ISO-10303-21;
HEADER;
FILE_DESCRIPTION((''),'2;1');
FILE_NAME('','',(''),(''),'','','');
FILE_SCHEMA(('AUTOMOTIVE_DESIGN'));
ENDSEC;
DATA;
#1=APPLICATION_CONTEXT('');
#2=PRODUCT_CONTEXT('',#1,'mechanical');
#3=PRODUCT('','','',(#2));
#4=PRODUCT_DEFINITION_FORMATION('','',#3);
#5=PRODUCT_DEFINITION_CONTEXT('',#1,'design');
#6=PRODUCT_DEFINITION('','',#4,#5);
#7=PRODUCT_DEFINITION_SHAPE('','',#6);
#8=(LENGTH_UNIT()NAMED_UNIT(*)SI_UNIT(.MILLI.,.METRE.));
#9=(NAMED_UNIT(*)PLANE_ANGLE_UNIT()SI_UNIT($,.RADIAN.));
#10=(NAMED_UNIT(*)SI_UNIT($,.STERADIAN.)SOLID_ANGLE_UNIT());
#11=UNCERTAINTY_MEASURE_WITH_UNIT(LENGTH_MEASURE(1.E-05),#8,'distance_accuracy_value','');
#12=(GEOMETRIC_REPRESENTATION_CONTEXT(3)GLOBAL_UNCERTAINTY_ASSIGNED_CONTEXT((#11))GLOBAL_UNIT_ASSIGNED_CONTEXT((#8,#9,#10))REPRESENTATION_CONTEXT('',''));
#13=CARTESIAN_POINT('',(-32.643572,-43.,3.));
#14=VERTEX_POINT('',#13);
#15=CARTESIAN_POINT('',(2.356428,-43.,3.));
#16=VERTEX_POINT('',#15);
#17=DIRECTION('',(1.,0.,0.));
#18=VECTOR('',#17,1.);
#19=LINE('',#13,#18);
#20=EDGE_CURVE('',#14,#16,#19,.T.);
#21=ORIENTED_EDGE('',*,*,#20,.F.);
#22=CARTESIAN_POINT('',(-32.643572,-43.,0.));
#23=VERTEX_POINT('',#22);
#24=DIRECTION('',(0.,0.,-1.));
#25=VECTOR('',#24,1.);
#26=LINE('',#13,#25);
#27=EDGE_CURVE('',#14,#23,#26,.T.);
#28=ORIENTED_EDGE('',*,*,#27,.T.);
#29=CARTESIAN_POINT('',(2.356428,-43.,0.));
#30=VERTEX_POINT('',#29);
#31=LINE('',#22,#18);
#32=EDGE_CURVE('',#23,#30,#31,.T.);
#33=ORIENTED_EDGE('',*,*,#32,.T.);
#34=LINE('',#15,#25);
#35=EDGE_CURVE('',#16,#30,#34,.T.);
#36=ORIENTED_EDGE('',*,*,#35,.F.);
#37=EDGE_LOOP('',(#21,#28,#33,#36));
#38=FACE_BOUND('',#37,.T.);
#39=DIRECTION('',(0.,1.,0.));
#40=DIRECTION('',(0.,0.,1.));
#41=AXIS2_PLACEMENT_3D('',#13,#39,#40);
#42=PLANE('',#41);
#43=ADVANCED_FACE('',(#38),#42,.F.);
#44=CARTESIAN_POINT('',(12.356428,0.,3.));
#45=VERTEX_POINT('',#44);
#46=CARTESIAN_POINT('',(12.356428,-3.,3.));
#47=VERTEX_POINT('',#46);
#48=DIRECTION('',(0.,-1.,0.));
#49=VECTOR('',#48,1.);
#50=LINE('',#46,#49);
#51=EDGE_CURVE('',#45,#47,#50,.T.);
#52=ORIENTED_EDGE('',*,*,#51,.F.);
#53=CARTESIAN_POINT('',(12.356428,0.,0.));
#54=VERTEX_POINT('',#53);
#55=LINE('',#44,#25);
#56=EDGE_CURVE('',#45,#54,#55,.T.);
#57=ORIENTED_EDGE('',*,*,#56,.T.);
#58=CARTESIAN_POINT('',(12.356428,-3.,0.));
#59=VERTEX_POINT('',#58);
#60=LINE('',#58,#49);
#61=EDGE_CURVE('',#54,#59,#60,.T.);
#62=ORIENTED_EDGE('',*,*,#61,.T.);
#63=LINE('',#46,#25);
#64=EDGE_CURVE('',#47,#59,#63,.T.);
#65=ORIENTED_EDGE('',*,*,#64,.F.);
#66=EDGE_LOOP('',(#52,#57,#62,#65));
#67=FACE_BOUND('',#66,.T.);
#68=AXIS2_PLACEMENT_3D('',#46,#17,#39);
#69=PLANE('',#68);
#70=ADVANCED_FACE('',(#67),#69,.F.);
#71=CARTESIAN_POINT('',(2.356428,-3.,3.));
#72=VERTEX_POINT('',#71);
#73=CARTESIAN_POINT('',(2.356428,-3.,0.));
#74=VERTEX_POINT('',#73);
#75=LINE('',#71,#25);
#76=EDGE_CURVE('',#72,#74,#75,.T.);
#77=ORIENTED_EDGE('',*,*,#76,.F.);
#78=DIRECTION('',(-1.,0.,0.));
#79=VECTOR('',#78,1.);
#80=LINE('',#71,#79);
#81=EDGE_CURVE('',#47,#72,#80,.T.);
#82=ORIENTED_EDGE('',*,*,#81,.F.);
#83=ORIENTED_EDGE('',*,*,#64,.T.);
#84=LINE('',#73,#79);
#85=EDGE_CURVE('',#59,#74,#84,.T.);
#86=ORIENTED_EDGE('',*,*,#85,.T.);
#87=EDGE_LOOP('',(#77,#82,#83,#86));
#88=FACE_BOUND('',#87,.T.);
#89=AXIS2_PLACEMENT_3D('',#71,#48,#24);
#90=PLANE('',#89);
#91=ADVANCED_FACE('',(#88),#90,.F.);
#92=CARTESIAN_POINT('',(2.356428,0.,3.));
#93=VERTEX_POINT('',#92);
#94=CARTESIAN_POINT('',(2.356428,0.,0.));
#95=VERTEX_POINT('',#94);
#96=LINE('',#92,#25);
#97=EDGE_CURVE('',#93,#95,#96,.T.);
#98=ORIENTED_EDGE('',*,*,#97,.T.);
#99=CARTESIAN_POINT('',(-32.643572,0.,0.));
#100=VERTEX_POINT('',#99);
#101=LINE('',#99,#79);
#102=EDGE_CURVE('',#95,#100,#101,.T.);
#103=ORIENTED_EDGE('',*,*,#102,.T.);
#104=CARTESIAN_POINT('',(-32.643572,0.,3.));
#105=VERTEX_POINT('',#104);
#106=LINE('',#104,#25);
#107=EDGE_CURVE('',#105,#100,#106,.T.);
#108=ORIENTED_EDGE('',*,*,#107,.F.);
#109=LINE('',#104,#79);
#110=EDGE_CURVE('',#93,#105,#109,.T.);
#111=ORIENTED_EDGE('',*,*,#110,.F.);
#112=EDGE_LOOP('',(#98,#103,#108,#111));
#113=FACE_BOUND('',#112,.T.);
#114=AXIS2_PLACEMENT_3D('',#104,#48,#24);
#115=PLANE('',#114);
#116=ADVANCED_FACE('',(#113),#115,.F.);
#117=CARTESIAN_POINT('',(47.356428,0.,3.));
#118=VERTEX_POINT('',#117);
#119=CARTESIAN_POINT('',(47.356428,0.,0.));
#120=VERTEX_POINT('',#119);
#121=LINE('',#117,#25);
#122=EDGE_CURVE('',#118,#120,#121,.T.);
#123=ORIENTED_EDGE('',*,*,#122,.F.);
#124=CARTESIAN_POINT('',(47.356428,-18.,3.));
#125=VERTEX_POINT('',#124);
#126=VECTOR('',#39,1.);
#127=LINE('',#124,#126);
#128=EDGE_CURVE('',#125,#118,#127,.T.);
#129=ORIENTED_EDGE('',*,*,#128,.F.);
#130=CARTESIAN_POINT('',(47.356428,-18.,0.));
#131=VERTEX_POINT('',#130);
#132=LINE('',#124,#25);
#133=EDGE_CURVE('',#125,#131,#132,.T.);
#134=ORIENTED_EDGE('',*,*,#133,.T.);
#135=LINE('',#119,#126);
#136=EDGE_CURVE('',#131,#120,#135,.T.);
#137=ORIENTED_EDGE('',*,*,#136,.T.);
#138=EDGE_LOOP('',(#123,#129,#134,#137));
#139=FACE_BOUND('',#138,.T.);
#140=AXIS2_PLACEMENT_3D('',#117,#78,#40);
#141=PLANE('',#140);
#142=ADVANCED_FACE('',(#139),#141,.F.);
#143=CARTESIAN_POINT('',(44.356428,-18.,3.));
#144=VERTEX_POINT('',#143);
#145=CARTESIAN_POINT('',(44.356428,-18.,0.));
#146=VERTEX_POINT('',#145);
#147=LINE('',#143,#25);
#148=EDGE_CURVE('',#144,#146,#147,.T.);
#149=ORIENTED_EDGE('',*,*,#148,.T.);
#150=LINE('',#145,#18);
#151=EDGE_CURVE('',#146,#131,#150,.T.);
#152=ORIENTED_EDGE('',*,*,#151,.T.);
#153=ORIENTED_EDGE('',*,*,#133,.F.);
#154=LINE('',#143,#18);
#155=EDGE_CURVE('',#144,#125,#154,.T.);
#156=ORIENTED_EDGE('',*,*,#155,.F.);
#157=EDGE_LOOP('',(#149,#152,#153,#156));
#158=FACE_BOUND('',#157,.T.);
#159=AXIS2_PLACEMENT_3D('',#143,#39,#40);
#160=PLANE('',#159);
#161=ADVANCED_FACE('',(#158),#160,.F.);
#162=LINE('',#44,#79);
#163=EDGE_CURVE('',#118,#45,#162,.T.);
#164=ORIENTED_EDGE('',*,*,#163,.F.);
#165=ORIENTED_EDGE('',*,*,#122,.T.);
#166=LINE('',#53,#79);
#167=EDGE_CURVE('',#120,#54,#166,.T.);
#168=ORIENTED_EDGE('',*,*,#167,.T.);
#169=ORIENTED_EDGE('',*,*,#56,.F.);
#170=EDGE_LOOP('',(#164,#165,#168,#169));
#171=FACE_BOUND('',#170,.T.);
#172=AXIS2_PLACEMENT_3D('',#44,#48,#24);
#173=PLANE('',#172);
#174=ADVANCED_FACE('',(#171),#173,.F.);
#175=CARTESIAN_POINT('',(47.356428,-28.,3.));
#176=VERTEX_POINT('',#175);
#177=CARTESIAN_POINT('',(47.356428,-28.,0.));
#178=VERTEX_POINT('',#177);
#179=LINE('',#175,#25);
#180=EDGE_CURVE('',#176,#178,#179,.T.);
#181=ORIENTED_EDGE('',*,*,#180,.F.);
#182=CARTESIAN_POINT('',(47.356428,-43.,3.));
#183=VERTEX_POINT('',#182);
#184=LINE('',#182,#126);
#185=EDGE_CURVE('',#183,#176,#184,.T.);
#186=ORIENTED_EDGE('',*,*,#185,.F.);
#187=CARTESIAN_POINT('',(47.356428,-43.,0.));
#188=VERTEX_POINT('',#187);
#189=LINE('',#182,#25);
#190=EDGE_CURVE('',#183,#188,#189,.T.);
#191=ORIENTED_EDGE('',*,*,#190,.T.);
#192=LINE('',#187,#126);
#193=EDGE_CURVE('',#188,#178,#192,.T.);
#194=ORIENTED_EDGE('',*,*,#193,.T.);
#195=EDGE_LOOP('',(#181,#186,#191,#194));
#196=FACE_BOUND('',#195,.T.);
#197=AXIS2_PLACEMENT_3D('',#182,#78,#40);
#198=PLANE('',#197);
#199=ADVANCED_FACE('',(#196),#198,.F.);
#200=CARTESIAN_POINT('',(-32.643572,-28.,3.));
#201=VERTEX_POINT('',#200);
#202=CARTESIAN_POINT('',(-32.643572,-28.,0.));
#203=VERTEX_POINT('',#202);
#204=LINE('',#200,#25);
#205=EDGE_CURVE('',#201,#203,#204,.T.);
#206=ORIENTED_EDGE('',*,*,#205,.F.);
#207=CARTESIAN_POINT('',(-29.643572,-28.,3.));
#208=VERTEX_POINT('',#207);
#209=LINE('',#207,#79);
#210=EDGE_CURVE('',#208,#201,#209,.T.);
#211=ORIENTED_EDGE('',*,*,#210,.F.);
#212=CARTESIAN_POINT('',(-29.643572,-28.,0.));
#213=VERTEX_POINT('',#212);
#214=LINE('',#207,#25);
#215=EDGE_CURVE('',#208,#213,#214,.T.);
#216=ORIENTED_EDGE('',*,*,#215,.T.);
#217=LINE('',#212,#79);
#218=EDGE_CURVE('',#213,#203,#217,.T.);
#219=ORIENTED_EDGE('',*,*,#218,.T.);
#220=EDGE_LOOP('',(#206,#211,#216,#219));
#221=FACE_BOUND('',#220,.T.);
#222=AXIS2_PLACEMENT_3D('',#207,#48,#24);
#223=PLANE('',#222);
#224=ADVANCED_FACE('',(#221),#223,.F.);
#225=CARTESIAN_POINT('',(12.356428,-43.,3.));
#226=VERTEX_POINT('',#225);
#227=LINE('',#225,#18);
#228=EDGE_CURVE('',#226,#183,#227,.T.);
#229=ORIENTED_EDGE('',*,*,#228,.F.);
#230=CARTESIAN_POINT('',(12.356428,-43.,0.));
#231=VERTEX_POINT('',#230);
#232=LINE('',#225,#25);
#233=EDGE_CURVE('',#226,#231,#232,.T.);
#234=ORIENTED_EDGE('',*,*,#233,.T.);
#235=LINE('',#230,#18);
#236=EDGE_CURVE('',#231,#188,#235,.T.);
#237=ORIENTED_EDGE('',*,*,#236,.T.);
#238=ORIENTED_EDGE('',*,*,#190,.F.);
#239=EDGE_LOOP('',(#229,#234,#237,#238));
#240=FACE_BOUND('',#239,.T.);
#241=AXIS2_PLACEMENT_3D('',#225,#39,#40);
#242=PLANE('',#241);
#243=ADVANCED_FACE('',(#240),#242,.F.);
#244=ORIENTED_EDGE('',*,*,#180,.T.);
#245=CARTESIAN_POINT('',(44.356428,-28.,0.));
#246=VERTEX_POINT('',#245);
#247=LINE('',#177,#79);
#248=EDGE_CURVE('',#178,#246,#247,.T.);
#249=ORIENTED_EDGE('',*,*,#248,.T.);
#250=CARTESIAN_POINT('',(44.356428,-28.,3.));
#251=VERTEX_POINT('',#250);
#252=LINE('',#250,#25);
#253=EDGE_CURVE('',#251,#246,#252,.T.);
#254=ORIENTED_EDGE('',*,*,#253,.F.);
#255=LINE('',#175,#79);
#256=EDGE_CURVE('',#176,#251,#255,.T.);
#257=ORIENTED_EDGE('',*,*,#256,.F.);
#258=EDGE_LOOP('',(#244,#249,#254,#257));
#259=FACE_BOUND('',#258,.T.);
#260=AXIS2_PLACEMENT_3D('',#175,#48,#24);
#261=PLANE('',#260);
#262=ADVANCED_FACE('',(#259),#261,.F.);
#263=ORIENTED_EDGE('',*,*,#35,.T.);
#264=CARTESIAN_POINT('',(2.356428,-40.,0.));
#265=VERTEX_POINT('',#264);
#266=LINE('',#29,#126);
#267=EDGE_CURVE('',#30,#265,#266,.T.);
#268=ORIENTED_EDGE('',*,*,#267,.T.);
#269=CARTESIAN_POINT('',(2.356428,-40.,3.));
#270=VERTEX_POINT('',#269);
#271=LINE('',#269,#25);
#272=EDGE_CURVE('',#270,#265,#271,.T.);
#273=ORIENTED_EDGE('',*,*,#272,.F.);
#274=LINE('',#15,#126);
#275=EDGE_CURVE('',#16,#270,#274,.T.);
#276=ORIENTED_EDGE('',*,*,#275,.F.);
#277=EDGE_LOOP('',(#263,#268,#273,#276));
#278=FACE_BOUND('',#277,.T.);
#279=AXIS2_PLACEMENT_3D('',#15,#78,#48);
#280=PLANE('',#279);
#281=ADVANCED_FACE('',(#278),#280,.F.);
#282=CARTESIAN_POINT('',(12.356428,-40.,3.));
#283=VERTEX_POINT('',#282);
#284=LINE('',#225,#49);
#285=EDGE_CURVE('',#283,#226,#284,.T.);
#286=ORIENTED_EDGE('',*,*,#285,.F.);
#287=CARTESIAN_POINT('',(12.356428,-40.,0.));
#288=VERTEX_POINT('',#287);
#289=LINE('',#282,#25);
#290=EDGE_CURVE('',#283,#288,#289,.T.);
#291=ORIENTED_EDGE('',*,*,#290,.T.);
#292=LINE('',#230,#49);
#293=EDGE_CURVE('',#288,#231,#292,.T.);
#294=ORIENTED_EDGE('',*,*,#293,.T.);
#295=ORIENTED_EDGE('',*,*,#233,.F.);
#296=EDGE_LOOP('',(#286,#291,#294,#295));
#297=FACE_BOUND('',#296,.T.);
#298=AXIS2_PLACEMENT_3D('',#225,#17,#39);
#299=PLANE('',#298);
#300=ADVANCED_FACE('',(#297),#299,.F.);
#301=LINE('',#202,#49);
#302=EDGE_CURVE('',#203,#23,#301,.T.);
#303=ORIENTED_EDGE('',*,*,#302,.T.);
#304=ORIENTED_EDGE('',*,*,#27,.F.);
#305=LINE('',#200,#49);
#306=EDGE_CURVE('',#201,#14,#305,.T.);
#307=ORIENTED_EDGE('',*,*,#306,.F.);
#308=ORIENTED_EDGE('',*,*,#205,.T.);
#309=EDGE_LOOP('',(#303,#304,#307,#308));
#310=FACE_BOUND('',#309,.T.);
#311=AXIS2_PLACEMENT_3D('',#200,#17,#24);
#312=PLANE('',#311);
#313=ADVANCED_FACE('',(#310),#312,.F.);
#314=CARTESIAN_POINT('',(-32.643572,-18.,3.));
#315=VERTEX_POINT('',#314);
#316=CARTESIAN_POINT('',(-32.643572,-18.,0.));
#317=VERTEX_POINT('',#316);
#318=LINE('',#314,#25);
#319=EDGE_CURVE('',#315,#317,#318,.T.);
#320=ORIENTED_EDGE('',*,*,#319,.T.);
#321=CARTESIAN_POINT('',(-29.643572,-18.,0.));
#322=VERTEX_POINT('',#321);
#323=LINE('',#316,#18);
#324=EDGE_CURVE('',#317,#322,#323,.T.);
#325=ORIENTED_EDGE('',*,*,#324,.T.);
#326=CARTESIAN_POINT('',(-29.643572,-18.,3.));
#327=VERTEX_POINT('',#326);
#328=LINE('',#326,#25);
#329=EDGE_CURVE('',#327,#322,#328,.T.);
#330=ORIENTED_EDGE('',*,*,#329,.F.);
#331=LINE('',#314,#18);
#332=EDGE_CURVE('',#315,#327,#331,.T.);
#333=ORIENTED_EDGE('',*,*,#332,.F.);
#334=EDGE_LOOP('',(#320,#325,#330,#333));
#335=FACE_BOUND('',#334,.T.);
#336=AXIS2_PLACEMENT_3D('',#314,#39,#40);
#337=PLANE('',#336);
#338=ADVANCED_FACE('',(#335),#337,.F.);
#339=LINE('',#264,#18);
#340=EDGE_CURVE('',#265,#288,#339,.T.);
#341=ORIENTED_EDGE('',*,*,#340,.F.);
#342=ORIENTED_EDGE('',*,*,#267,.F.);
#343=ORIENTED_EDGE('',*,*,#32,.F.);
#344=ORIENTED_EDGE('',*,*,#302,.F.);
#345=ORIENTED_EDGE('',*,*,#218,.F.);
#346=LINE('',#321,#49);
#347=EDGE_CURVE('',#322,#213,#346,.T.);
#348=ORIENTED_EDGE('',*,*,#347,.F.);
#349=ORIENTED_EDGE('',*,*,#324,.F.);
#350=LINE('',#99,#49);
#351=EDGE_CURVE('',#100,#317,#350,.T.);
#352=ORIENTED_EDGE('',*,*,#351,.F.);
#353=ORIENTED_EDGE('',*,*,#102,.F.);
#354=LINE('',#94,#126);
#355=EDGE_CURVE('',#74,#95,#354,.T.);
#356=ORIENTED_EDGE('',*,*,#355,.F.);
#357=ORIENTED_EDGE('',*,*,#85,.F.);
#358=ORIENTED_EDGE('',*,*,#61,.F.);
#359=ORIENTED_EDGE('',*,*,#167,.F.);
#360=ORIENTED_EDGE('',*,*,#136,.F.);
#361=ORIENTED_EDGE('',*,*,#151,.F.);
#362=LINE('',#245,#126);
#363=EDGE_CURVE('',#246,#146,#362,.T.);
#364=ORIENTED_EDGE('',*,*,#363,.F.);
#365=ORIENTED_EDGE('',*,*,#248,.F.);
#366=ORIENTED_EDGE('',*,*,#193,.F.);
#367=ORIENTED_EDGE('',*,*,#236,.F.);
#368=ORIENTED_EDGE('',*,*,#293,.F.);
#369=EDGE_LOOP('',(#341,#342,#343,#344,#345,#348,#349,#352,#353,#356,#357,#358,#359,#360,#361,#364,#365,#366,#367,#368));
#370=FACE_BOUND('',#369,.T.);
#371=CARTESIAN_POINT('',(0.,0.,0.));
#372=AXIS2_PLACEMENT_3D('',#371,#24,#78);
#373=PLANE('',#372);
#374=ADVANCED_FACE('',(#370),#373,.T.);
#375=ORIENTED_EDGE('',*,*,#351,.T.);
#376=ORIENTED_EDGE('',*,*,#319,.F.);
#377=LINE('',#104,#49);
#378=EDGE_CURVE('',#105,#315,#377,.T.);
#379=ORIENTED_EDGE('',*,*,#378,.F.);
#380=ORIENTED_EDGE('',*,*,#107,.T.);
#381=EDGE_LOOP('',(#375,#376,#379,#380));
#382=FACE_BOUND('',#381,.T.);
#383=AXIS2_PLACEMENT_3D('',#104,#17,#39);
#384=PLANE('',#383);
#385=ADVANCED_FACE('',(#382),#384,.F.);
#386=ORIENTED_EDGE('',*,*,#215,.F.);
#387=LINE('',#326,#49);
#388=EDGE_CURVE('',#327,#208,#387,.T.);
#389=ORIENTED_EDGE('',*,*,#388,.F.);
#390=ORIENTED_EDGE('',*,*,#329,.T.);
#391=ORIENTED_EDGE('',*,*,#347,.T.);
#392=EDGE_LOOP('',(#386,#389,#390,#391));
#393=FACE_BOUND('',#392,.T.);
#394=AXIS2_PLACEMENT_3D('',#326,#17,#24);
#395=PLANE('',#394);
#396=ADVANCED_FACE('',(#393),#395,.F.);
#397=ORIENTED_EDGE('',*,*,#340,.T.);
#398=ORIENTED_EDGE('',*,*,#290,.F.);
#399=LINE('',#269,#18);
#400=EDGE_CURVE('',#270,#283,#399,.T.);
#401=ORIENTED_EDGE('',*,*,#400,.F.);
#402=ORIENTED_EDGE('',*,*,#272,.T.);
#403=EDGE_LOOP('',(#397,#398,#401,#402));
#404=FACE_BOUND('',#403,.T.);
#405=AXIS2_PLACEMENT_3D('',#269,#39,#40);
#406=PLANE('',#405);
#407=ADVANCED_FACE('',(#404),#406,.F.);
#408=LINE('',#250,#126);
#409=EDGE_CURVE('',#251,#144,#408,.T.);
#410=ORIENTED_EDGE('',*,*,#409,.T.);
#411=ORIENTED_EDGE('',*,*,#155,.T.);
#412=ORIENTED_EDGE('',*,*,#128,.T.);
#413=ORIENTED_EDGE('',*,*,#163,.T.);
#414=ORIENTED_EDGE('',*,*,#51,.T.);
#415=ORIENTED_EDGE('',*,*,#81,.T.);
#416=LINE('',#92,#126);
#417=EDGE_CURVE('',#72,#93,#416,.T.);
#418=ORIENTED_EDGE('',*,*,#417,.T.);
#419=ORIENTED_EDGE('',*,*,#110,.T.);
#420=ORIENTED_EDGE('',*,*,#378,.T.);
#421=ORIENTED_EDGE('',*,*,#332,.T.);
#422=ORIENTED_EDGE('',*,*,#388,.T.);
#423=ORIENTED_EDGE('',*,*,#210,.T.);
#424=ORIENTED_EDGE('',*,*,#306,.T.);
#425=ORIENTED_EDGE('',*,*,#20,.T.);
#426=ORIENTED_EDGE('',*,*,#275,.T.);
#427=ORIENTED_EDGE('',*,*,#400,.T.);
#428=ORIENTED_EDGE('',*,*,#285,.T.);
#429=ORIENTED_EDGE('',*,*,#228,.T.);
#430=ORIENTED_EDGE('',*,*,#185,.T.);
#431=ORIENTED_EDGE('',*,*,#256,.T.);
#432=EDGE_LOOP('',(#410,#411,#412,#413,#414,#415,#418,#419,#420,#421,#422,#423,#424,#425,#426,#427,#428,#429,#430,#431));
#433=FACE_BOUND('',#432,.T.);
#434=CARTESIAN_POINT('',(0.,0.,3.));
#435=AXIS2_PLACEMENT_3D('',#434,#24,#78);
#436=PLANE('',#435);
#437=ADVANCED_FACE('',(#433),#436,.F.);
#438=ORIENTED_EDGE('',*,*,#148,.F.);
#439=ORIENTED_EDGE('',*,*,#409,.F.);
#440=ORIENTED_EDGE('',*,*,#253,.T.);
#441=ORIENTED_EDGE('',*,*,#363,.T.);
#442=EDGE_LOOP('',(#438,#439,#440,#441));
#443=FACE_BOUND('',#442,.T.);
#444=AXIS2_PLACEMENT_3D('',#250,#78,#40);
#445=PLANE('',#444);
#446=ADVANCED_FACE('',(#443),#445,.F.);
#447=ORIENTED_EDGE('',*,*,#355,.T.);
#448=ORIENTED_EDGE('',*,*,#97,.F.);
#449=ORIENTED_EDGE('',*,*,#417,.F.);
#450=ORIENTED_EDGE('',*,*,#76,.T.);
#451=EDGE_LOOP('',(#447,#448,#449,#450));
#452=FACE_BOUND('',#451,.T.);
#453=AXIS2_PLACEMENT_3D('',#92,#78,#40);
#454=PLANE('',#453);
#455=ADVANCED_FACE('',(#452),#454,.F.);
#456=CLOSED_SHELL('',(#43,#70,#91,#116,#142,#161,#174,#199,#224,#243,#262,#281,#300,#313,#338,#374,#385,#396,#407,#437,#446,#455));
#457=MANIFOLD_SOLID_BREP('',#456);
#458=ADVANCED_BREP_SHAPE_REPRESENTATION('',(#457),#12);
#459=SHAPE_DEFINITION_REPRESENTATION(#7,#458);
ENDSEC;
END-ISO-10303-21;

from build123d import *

# Parameters (mm, degrees)
BOSS_EXTRUDE1_DEPTH = 3


with BuildPart() as part:
    # Sketch1 → Boss-Extrude1 (new body)
    with BuildSketch(Plane.XY):
        Polygon((-32.643571906, 0), (-32.643571906, -18), (-29.643571906, -18), (-29.643571906, -28), (-32.643571906, -28), (-32.643571906, -43), (2.356428094, -43), (2.356428094, -40), (12.356428094, -40), (12.356428094, -43), (47.356428094, -43), (47.356428094, -28), (44.356428094, -28), (44.356428094, -18), (47.356428094, -18), (47.356428094, -3), (47.356428094, 0), (12.356428094, 0), (12.356428094, -3), (2.356428094, -3), (2.356428094, 0), align=None)
    extrude(amount=BOSS_EXTRUDE1_DEPTH)


solid = part.part
